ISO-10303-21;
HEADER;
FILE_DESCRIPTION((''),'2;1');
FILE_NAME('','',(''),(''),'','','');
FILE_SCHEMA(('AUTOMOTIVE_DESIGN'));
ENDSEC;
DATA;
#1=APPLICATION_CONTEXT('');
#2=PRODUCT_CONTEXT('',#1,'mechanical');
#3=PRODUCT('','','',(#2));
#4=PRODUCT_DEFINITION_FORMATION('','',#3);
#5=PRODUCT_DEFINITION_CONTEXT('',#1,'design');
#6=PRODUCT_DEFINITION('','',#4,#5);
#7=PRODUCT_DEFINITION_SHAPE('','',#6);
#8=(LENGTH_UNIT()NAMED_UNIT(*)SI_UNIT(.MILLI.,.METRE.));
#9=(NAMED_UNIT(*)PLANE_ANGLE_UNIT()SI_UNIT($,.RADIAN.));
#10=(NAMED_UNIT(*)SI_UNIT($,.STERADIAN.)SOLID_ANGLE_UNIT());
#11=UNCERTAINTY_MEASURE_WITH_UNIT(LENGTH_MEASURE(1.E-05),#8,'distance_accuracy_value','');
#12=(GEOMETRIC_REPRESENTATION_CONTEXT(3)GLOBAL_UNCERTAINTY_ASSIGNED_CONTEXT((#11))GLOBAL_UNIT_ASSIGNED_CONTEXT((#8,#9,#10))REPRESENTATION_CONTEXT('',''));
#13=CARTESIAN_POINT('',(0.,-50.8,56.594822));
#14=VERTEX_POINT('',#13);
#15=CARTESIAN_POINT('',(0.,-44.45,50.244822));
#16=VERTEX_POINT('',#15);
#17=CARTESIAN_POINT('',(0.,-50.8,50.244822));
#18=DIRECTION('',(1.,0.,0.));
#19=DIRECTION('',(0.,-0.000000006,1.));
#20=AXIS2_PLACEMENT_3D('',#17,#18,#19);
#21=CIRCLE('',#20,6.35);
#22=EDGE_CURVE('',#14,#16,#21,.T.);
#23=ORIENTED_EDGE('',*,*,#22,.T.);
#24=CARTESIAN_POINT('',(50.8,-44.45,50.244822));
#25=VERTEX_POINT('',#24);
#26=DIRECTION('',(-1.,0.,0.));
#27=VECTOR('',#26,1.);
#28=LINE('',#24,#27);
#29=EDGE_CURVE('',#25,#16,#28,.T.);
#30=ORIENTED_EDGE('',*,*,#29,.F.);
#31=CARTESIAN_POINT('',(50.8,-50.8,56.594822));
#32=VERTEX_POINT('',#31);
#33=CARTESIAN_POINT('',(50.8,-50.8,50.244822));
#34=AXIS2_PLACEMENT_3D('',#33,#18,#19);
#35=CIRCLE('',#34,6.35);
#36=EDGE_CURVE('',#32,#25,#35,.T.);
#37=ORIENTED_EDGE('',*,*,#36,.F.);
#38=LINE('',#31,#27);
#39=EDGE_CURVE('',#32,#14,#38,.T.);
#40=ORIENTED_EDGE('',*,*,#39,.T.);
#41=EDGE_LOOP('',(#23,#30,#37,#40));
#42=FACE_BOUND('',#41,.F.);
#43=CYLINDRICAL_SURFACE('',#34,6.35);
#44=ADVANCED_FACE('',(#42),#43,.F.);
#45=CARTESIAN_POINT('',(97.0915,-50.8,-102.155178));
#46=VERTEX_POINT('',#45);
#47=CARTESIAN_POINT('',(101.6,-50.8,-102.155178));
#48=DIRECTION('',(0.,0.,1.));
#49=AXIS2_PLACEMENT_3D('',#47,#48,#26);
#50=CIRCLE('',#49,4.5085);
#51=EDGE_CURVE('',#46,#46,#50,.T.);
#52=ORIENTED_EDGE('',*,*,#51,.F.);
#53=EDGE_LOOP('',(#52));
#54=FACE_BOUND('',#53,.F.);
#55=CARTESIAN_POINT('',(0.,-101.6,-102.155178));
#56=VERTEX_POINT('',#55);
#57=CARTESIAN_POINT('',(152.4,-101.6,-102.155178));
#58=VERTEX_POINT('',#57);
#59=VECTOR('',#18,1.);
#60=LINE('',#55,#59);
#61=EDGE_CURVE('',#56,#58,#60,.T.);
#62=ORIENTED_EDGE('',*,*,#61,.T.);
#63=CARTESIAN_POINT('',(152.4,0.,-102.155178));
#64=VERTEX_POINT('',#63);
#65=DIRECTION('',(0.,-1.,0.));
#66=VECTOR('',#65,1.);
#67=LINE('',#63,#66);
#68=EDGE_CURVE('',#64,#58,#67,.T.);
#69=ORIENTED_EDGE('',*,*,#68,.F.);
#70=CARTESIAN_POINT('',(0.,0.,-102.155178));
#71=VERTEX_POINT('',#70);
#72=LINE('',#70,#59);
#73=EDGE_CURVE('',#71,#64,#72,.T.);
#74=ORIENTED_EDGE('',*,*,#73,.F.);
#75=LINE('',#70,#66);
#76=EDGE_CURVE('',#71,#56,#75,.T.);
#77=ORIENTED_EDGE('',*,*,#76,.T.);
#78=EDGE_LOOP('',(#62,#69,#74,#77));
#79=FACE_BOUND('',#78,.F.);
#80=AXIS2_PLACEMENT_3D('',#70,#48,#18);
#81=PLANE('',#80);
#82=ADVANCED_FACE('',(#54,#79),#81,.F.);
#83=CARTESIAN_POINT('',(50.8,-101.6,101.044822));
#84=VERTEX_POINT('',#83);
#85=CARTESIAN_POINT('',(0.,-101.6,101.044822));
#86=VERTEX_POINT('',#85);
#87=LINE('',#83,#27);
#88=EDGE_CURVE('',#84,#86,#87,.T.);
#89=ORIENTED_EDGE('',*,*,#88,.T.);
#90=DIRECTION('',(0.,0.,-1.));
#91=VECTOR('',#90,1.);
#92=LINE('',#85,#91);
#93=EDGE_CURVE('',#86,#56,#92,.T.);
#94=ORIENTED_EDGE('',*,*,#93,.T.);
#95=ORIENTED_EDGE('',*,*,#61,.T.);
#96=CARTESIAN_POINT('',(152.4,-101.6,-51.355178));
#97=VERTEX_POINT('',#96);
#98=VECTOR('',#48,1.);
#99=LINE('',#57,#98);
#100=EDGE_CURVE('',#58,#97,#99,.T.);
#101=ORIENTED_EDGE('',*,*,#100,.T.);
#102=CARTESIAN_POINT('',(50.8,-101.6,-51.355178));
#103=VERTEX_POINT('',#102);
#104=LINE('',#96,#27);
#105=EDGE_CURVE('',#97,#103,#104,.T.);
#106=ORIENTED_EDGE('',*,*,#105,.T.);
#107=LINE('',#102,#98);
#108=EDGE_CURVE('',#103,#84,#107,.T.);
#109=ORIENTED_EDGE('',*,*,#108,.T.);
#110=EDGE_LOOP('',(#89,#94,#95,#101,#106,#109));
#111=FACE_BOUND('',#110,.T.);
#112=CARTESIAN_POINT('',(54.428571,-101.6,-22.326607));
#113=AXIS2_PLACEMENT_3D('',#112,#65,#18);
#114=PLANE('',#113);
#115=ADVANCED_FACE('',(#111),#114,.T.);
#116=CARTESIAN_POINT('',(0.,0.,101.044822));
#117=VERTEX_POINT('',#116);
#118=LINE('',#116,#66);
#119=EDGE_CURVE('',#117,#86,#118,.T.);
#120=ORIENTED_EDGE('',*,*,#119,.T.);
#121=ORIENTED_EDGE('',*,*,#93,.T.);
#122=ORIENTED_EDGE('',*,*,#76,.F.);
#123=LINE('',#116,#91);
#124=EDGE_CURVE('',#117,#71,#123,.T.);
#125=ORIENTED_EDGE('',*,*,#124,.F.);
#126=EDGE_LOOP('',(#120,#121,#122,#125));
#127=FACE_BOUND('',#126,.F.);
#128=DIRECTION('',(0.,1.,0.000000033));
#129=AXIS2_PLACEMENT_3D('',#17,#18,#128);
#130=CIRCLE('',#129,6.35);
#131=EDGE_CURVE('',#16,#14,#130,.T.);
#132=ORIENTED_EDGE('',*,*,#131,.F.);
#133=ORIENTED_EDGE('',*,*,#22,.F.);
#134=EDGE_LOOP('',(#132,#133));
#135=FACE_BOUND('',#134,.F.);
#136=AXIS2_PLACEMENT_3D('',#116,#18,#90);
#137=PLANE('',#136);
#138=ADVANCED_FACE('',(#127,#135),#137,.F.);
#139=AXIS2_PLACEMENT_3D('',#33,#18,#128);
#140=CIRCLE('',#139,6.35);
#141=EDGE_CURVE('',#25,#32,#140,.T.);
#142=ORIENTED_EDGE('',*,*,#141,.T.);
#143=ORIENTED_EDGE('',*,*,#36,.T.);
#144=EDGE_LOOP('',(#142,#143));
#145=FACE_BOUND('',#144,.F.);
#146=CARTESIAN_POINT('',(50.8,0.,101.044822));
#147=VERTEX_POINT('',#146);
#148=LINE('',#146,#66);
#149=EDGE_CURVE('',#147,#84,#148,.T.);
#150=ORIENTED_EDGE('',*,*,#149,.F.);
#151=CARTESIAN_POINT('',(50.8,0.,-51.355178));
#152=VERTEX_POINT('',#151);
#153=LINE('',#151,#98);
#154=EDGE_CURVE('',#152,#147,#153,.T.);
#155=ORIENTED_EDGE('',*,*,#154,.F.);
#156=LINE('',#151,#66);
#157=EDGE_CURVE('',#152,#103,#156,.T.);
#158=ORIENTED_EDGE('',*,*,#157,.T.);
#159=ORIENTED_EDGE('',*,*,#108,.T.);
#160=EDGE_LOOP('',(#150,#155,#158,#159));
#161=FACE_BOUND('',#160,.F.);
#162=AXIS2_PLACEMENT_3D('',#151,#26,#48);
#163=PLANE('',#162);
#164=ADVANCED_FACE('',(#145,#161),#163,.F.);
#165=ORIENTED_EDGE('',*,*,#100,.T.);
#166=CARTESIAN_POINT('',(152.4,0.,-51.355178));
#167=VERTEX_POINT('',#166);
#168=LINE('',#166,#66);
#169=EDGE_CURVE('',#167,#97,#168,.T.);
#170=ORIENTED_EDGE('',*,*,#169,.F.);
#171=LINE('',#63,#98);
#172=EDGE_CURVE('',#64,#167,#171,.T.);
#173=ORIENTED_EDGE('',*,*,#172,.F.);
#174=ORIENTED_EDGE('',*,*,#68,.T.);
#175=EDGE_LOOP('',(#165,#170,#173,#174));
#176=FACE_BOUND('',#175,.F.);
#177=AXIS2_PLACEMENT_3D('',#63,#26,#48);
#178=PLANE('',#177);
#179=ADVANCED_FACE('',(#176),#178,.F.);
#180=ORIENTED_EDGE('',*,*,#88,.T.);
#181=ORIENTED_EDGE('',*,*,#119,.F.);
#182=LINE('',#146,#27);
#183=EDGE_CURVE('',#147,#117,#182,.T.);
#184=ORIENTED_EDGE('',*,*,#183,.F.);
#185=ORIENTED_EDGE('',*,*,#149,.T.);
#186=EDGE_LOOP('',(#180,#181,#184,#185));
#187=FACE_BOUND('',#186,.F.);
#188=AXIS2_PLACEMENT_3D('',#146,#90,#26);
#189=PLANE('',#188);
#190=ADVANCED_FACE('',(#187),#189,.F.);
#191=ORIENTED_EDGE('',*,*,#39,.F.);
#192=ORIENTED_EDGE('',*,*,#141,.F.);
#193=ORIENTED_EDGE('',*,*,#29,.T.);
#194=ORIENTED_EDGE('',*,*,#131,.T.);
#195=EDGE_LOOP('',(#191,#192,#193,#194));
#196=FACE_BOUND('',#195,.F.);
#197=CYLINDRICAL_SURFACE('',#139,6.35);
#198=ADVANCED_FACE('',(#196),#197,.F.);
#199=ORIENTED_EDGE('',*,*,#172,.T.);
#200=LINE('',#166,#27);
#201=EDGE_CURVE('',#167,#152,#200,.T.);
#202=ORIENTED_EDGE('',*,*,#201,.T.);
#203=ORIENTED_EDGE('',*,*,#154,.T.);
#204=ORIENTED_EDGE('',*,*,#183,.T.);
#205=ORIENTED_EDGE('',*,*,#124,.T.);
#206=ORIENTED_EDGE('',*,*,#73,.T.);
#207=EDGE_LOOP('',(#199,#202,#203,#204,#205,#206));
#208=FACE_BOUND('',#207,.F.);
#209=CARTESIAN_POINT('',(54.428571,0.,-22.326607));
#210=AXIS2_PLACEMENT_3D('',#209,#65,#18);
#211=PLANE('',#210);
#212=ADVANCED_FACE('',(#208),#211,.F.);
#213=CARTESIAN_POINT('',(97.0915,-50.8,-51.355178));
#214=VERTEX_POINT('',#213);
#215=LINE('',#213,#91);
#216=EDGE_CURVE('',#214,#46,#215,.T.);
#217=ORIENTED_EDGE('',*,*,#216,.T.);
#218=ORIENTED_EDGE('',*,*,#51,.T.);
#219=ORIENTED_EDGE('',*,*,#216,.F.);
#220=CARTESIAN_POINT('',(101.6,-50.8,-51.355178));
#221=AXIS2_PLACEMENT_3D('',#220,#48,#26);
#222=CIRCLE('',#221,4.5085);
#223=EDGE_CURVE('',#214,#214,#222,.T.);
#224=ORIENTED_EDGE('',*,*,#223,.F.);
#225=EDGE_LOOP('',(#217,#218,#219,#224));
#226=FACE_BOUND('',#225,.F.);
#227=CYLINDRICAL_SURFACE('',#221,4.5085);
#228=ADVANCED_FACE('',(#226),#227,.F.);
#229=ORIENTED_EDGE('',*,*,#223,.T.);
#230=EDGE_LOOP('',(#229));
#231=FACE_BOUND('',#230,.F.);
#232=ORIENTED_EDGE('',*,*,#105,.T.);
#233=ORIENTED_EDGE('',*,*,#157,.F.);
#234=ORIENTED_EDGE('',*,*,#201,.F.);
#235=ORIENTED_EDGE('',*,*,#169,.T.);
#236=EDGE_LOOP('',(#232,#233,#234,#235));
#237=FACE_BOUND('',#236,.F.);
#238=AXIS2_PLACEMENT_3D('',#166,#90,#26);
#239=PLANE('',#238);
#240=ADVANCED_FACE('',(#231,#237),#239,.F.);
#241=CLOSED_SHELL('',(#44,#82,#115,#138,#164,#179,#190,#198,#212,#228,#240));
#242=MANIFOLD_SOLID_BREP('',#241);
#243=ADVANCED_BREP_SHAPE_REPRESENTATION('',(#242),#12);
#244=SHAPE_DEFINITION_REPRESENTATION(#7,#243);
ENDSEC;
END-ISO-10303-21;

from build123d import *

# Parameters (mm, degrees)
F1_DEPTH = 101.6
F4_DEPTH = 115.900189
F5_DEPTH = 182.793036


with BuildPart() as f1:
    # F0 (on Front) → F1 (new body)
    with BuildSketch(Plane.XZ):
        Polygon((50.8, 101.044822), (0, 101.044822), (0, -102.155178), (152.4, -102.155178), (152.4, -51.355178), (50.8, -51.355178), align=None)
    extrude(amount=F1_DEPTH)

    # F3 (on face) → F4 (cut)
    with BuildSketch(Plane.XY.offset(-51.355178)):
        with BuildLine():
            ThreePointArc((106.1085, -50.8), (101.6, -46.2915), (97.0915, -50.8))
            ThreePointArc((97.0915, -50.8), (101.6, -55.3085), (106.1085, -50.8))
        make_face()
    extrude(amount=-F4_DEPTH, mode=Mode.SUBTRACT)

    # F2 (on face) → F5 (cut)
    with BuildSketch(Plane.YZ.offset(50.8)):
        with BuildLine():
            ThreePointArc((-44.45, 50.244822), (-46.309872, 54.73495), (-50.8, 56.594822))
            ThreePointArc((-50.8, 56.594822), (-55.290128, 45.754694), (-44.45, 50.244822))
        make_face()
    extrude(amount=-F5_DEPTH, mode=Mode.SUBTRACT)


solid = f1.part
